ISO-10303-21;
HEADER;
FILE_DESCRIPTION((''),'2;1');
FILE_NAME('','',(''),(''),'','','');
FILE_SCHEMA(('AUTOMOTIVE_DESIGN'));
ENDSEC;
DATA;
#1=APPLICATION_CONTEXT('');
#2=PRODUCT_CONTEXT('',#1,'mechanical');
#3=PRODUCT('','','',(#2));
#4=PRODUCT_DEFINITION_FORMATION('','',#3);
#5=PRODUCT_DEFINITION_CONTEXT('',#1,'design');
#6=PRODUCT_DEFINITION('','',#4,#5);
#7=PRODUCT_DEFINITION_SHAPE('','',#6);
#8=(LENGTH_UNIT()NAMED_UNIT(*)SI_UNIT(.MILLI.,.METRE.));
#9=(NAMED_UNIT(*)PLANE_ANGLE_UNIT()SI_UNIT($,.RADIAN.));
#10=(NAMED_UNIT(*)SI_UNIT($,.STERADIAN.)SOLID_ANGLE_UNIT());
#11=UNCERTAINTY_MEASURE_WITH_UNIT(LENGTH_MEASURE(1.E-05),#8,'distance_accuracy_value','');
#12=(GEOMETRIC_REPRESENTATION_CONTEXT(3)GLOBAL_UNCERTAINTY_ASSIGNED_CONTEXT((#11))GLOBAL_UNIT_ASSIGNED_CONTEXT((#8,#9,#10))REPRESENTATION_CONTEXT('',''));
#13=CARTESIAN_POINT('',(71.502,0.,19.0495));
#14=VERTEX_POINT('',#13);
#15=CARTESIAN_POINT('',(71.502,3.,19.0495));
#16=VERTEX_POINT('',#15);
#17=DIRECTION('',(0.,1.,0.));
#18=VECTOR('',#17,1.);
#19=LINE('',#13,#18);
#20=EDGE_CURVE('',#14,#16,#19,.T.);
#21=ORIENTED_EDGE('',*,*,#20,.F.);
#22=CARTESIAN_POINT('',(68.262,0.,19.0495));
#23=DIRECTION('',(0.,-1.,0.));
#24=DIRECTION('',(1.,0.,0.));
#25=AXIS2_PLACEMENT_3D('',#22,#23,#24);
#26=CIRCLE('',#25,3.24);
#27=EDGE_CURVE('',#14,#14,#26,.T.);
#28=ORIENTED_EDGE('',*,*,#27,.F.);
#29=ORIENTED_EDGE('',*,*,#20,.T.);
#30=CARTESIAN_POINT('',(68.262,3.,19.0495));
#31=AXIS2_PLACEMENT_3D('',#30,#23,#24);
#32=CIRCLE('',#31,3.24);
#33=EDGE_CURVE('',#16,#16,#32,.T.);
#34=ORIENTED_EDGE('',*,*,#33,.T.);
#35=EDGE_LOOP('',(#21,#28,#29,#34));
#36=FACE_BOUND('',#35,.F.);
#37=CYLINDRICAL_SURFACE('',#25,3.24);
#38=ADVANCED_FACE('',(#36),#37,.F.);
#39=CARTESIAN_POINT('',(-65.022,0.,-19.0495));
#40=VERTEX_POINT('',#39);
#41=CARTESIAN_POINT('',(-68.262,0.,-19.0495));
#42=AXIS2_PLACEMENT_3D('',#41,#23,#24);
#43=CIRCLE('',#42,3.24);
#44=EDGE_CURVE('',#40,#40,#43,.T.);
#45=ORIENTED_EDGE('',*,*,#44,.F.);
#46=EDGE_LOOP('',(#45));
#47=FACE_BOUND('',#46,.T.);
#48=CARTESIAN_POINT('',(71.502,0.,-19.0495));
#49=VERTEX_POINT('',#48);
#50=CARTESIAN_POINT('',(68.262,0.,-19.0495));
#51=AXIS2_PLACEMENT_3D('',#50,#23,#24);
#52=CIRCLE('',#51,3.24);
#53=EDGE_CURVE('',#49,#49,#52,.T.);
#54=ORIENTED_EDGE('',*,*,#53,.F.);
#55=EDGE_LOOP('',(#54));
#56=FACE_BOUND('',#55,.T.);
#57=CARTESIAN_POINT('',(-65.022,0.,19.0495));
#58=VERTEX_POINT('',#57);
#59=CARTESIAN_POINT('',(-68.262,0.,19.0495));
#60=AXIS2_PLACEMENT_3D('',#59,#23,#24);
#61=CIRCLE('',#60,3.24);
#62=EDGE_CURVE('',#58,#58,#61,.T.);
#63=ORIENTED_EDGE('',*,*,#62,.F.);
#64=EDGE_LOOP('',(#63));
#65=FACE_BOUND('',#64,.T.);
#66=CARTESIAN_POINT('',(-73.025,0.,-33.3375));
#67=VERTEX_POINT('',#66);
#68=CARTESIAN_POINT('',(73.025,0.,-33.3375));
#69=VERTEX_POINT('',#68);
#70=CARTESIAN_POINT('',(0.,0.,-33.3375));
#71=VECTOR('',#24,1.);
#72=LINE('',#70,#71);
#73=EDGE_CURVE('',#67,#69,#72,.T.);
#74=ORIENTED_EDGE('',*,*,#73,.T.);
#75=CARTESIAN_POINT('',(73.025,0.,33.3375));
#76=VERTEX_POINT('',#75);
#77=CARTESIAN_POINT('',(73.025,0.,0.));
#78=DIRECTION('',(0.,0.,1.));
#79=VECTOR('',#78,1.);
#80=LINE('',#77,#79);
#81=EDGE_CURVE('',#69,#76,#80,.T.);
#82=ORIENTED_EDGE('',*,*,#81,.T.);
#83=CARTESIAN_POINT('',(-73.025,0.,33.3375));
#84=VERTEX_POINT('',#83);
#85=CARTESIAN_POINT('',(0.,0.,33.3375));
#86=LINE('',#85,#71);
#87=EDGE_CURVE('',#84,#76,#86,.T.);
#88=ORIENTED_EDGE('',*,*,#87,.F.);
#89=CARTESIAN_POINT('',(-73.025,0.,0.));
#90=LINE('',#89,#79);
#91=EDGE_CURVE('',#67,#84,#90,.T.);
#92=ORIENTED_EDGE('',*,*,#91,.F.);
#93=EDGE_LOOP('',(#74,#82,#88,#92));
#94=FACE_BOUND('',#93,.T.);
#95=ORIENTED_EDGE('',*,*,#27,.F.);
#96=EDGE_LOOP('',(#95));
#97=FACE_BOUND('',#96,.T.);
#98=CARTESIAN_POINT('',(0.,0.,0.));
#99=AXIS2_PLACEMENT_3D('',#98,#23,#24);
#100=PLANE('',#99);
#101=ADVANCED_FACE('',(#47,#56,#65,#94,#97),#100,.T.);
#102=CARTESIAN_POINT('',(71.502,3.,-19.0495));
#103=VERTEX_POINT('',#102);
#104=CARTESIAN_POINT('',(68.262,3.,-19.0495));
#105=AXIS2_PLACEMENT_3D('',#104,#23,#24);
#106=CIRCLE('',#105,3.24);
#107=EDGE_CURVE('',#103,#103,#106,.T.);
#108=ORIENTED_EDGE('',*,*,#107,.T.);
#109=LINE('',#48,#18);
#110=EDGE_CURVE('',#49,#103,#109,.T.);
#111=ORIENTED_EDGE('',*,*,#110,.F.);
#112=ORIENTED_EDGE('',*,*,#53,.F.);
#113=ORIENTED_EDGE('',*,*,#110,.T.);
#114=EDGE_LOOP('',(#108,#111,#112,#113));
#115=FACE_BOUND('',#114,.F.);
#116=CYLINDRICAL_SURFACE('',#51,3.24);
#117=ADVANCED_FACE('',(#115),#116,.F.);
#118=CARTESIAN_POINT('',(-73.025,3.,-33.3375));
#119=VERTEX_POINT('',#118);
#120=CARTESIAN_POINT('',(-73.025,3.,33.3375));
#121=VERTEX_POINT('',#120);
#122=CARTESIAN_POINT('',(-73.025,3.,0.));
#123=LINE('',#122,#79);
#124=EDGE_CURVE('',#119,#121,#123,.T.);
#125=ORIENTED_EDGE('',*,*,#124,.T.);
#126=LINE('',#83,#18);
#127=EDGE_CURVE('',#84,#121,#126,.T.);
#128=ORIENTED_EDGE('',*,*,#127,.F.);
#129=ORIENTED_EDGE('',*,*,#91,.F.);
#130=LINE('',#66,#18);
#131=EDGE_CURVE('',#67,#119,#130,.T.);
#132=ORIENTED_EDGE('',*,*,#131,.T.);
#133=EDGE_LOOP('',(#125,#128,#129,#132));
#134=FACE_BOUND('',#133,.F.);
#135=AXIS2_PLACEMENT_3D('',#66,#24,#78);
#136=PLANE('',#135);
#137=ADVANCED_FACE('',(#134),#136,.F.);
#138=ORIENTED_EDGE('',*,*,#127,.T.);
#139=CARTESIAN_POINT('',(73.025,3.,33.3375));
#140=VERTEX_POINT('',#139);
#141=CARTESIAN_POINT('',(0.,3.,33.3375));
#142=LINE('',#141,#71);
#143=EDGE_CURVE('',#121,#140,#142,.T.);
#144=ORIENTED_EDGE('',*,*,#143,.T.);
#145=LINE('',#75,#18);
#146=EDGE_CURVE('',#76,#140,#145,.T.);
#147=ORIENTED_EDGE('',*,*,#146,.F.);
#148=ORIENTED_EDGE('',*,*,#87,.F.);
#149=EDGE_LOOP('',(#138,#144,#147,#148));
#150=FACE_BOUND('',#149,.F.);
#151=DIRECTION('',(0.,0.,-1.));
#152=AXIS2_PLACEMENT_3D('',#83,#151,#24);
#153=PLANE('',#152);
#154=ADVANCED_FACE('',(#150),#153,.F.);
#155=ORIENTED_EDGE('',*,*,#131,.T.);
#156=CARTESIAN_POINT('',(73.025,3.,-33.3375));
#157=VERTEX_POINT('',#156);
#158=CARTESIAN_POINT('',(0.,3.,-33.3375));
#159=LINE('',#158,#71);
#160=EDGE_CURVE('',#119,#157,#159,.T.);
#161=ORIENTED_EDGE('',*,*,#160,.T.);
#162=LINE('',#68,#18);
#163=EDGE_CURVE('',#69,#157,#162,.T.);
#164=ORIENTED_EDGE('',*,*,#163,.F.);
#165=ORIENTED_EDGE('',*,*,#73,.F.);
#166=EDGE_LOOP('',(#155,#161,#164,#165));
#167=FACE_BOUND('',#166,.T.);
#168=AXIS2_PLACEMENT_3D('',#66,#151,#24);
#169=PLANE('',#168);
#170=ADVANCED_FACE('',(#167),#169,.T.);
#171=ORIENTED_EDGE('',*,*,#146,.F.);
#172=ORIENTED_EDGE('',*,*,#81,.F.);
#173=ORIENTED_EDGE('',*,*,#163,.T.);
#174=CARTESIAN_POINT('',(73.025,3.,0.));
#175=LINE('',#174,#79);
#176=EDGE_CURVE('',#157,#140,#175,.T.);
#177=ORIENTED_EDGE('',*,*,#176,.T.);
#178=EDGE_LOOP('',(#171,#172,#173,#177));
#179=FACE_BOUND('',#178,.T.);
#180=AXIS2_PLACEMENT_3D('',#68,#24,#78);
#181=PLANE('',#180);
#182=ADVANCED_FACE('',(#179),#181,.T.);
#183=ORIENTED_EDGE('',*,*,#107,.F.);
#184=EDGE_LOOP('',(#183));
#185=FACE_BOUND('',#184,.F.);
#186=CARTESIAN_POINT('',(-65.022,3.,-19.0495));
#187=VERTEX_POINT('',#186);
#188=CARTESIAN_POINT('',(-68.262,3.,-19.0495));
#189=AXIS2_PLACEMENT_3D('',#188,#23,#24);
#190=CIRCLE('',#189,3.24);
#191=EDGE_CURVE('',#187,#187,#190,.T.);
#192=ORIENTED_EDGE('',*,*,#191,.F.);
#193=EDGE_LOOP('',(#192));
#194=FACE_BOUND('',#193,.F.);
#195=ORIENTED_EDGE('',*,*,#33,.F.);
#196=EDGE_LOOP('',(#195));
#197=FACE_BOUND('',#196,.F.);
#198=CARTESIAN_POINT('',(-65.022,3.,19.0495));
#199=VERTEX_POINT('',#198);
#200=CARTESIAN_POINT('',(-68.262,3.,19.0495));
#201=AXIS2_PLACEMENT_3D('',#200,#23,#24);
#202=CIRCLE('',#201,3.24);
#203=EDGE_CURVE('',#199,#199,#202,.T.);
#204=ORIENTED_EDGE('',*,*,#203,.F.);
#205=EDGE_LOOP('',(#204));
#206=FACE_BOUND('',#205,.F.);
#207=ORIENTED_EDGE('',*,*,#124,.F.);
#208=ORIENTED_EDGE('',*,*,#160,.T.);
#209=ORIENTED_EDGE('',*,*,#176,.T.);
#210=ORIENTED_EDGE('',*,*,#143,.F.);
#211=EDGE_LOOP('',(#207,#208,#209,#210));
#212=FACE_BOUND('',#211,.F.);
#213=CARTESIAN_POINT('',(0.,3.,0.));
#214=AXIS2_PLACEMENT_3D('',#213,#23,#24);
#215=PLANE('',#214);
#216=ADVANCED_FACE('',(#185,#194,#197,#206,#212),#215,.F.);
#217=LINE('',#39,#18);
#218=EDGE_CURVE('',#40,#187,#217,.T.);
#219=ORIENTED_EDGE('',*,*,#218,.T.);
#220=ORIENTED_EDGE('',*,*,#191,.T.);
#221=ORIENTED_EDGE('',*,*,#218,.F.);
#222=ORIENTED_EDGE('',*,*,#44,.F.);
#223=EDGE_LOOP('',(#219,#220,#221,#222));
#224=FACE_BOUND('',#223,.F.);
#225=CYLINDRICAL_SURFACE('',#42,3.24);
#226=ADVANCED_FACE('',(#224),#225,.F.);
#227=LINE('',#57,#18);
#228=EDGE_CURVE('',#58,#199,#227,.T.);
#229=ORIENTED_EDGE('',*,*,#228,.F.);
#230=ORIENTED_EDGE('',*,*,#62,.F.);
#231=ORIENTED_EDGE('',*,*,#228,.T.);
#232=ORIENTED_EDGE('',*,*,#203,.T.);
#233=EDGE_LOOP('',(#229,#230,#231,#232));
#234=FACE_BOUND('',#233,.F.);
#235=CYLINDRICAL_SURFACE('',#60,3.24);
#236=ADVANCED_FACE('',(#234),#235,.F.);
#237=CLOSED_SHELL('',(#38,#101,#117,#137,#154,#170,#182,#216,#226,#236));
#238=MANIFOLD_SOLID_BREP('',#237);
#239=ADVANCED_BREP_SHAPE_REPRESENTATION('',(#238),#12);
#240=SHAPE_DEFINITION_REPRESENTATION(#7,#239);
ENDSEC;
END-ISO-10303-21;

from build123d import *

# Parameters (mm, degrees)
F0_W     = 146.05
F0_H     = 66.675
F0_R     = 3.24
F1_DEPTH = 3


with BuildPart() as f1:
    # F0 (on Front) → F1 (new body)
    with BuildSketch(Plane.XZ):
        Rectangle(F0_W, F0_H)
        with Locations((-68.262, -19.0495)):
            Circle(F0_R, mode=Mode.SUBTRACT)
        with Locations((68.262, -19.0495)):
            Circle(F0_R, mode=Mode.SUBTRACT)
        with Locations((-68.262, 19.0495)):
            Circle(F0_R, mode=Mode.SUBTRACT)
        with Locations((68.262, 19.0495)):
            Circle(F0_R, mode=Mode.SUBTRACT)
    extrude(amount=-F1_DEPTH)


solid = f1.part
